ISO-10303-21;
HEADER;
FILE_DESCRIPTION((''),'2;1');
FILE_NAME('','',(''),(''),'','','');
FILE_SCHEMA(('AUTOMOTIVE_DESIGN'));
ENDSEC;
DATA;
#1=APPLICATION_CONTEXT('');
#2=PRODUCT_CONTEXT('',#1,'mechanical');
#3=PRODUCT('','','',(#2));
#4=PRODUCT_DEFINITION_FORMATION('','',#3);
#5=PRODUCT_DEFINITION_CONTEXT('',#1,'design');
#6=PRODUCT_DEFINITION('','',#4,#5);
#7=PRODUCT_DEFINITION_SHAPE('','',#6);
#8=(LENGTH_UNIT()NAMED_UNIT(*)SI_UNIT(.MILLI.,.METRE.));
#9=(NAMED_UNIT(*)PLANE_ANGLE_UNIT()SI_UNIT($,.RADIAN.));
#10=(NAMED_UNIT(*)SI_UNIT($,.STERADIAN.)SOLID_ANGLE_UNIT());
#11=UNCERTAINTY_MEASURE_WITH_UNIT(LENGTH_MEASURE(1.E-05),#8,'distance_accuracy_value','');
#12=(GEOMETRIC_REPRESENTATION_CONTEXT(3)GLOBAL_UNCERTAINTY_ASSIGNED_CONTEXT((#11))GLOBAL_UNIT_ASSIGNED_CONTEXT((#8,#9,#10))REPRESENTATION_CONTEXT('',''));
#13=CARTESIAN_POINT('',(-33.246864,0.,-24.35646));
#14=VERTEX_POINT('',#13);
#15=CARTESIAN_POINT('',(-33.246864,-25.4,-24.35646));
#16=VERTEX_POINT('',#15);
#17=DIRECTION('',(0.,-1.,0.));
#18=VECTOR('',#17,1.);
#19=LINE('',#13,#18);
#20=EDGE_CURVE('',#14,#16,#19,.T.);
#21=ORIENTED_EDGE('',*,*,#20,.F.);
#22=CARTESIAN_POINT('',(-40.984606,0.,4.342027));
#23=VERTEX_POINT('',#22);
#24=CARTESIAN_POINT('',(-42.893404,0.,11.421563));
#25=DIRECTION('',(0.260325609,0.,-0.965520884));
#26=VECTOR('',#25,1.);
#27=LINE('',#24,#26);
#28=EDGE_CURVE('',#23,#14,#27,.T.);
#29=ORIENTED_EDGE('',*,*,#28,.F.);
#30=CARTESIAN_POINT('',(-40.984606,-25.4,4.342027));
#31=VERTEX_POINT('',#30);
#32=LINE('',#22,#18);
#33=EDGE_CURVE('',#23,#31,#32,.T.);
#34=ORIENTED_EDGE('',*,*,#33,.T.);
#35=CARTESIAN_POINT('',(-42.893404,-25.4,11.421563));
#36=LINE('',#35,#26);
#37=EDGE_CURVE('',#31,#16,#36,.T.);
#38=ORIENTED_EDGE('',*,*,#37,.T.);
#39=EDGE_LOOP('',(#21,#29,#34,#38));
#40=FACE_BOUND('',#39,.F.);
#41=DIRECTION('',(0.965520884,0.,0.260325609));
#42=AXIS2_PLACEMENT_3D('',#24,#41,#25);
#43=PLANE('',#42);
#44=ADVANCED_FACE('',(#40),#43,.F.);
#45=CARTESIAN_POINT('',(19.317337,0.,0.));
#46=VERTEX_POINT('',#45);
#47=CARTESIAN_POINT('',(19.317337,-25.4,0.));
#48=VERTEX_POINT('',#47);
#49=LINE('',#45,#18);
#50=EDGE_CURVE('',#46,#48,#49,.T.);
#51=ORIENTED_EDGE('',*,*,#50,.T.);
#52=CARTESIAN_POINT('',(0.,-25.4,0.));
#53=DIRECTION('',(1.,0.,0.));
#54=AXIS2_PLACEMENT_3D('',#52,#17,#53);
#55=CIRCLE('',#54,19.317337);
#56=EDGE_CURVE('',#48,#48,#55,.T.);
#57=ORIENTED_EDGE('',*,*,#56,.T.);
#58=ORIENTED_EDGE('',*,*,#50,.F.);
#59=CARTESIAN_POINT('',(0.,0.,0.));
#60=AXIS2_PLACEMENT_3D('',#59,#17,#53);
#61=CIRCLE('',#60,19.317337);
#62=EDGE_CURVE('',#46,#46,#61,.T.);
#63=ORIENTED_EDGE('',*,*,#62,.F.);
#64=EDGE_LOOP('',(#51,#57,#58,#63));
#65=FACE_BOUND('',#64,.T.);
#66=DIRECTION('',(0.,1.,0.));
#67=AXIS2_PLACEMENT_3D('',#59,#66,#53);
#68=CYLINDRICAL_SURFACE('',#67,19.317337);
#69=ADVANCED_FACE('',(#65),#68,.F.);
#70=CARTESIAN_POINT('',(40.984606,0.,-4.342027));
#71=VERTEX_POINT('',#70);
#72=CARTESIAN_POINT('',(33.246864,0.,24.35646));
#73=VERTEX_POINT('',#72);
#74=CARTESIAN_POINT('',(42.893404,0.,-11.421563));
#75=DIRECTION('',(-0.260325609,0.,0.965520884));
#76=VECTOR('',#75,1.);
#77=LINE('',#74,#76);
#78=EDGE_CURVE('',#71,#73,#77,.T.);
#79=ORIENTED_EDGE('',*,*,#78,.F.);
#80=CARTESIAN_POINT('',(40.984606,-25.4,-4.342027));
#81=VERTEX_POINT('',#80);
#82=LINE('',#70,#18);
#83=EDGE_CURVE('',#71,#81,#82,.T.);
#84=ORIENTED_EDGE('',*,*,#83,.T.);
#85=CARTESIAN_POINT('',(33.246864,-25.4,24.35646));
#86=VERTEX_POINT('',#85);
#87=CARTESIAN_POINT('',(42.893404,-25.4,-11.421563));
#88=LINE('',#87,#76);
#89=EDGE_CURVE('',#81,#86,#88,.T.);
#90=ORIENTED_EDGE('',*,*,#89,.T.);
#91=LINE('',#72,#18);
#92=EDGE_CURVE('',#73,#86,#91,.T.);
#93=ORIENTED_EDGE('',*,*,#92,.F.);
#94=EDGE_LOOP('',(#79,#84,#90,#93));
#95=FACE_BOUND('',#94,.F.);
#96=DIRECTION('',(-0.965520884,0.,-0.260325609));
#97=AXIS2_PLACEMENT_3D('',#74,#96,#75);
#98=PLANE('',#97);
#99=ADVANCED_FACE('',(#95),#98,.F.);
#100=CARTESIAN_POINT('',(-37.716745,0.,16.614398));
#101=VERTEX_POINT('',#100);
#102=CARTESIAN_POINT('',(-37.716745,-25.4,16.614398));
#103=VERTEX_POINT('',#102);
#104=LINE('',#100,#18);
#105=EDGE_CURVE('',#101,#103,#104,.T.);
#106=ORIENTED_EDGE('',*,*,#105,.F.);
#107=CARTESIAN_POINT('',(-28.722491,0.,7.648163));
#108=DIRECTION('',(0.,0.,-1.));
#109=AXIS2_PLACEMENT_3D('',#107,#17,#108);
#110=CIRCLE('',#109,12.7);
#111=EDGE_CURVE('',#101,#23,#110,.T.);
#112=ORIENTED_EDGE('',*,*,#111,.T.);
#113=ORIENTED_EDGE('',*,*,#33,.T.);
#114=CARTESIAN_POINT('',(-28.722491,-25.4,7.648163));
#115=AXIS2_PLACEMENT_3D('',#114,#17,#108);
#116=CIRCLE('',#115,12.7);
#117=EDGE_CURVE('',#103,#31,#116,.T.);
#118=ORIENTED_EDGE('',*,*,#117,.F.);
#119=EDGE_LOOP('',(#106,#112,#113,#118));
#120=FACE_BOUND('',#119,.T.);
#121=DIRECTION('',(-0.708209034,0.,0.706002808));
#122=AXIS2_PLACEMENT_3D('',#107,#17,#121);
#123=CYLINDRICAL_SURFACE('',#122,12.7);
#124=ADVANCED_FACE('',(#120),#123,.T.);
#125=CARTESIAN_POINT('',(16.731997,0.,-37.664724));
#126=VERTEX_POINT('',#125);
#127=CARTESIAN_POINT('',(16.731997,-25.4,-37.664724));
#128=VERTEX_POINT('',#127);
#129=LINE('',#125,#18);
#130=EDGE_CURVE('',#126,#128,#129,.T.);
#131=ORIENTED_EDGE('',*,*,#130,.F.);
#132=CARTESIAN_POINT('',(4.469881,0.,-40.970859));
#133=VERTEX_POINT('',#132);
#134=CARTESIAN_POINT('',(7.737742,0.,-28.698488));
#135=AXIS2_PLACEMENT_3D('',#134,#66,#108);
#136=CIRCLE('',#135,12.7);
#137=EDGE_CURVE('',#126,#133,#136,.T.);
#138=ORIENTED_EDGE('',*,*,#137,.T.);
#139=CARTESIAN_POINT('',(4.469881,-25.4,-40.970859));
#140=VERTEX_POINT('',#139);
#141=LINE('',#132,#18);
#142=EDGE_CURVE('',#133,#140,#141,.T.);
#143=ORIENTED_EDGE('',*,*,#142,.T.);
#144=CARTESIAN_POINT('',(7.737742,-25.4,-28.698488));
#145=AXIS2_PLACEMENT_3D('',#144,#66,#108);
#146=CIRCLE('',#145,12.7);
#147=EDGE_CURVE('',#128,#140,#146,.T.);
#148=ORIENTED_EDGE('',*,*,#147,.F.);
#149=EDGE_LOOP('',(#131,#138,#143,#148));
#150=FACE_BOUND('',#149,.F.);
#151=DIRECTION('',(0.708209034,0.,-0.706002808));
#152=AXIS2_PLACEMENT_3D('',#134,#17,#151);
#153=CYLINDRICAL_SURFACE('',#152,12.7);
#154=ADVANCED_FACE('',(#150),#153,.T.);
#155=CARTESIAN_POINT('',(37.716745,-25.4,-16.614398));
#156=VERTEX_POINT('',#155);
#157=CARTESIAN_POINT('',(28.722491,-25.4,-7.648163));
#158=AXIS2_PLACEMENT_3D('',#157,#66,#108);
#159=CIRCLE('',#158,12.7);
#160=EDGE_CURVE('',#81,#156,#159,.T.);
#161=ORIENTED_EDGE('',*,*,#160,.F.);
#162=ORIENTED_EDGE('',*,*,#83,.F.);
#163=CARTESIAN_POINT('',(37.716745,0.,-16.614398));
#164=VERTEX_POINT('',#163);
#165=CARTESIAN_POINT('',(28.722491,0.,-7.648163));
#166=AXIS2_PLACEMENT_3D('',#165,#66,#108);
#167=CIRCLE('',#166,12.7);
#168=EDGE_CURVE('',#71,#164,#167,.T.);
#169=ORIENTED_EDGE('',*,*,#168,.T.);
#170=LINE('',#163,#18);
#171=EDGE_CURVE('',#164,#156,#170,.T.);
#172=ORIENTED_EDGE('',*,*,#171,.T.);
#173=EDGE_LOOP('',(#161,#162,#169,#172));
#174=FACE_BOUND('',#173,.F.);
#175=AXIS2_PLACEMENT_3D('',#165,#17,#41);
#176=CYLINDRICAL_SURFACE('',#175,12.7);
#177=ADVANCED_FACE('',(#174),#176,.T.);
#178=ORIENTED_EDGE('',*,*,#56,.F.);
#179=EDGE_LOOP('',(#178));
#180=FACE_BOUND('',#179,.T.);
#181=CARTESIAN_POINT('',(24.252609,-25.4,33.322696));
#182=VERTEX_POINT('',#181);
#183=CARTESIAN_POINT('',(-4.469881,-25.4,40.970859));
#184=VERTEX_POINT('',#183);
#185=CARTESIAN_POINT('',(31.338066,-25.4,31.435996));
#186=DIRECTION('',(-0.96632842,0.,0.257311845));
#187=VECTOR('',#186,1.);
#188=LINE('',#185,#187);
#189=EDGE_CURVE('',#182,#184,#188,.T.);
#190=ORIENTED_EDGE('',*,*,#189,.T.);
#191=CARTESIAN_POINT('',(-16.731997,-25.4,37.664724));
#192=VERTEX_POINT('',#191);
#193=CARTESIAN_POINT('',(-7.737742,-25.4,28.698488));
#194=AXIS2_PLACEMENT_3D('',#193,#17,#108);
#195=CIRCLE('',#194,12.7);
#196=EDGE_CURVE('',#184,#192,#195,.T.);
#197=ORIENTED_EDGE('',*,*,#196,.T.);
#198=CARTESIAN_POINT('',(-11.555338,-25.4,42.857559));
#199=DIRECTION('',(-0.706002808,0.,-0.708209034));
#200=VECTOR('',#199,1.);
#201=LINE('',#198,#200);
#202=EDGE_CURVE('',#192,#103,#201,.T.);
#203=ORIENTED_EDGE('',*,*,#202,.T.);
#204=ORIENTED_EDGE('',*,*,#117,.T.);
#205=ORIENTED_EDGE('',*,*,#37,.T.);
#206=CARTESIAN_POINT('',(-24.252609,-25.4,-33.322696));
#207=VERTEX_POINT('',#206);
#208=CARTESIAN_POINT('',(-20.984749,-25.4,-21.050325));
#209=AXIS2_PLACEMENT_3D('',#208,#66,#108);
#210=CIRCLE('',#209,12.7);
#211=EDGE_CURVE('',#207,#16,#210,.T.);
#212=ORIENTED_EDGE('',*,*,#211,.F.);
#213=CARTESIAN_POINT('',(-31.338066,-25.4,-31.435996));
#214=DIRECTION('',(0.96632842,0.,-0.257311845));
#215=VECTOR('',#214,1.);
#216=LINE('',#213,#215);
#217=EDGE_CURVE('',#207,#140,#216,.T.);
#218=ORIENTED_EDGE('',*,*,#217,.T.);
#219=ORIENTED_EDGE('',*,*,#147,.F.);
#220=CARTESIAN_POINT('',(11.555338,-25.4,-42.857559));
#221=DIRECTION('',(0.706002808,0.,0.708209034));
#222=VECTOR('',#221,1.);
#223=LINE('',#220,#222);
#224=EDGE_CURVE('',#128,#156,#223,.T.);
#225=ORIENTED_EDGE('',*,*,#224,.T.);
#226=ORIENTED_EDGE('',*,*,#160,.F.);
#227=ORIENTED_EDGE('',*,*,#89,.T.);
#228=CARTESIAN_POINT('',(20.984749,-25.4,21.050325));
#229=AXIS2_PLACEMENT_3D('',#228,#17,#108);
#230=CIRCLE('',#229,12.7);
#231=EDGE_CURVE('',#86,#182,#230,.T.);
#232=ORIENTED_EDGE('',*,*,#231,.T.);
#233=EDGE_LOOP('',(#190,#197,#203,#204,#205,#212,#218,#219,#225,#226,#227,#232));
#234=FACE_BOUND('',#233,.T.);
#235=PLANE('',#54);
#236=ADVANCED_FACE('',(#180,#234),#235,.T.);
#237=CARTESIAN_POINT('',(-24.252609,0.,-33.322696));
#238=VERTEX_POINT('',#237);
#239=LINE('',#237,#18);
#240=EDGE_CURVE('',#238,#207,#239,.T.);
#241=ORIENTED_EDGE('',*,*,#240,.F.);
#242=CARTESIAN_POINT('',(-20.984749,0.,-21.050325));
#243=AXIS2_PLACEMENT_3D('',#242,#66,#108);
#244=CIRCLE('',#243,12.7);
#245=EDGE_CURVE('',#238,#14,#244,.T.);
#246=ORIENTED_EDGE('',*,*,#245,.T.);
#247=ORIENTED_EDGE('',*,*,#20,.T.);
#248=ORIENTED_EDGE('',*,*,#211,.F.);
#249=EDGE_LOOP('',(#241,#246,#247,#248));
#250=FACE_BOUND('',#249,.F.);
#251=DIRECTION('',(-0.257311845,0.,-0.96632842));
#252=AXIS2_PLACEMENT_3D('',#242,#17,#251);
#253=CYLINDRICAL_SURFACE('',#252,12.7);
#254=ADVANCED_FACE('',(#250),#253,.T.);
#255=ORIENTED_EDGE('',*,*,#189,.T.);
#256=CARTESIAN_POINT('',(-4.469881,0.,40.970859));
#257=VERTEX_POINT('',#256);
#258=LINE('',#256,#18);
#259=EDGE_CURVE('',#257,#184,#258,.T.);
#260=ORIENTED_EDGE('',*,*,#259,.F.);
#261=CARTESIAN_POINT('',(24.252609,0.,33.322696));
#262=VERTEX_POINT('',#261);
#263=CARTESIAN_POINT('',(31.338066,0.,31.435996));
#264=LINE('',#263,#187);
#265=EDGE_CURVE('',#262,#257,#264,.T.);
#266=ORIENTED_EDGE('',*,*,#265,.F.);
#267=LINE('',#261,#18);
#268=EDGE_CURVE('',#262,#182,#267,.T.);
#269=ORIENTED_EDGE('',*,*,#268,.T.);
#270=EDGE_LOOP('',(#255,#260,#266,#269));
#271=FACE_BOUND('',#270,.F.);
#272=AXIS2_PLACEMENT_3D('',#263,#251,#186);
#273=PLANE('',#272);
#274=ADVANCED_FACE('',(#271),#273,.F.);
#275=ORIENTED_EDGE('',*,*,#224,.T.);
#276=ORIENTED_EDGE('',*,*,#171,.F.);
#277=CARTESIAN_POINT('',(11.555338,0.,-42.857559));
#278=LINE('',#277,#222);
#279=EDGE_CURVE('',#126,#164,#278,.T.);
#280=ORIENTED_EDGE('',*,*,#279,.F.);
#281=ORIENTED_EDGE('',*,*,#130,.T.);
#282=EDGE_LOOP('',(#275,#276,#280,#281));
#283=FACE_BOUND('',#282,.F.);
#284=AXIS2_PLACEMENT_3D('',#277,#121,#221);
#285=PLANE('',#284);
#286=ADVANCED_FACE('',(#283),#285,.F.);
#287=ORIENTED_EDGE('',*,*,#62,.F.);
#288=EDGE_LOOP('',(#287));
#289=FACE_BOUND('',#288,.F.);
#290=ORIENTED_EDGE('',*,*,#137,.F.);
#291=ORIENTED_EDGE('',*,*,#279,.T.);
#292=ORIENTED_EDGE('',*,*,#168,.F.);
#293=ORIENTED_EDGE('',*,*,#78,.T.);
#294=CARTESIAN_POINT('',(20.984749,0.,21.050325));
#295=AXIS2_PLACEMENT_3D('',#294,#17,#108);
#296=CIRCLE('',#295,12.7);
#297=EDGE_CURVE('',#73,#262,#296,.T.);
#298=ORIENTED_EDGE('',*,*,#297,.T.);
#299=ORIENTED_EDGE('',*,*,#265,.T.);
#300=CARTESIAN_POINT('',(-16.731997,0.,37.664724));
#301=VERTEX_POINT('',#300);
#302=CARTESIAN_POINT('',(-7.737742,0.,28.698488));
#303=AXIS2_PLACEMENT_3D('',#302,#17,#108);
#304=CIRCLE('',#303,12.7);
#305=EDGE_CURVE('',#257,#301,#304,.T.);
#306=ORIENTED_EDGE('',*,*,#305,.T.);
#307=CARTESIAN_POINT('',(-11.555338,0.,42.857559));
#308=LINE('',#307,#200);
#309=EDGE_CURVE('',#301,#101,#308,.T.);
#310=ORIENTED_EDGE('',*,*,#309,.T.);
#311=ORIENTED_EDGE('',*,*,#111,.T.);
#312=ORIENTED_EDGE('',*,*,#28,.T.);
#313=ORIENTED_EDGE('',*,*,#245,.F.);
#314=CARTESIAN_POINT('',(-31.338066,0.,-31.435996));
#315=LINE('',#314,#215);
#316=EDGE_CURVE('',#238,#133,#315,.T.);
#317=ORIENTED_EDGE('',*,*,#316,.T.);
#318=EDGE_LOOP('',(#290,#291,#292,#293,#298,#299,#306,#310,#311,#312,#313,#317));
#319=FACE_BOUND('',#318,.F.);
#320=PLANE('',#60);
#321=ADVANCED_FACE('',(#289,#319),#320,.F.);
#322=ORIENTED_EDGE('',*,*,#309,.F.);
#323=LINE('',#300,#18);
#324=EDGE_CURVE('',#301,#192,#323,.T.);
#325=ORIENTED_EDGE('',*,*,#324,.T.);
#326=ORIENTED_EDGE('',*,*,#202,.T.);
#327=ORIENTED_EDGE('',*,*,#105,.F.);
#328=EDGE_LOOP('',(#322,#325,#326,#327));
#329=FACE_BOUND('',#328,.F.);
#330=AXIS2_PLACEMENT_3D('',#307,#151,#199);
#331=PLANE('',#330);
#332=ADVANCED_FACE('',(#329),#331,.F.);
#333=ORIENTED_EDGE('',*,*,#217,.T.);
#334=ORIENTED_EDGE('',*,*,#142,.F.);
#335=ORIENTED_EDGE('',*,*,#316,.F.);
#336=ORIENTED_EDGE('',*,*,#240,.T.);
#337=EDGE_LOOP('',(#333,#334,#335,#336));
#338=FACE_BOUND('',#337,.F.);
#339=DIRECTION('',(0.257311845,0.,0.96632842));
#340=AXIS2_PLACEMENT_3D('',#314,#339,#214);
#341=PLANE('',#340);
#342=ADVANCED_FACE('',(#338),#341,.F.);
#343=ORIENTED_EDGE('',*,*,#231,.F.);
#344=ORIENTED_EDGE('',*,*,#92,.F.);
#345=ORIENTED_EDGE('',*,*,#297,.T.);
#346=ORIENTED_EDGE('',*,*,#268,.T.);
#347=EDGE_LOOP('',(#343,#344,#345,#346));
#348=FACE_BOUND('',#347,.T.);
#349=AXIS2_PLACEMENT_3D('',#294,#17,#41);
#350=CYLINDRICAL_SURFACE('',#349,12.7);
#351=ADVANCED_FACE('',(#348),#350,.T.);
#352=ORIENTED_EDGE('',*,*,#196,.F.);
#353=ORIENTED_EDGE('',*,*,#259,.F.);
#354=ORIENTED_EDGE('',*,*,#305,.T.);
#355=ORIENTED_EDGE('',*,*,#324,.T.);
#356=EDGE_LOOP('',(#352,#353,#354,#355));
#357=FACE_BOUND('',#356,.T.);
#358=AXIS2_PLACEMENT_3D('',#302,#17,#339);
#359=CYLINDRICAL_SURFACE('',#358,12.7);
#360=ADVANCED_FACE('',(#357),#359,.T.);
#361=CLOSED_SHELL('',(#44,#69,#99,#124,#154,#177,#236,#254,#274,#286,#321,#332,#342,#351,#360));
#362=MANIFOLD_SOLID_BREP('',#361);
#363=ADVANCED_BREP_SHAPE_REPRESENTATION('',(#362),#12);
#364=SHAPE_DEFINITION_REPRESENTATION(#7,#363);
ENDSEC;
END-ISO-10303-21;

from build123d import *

# Parameters (mm, degrees)
F0_R     = 19.317337
F1_DEPTH = 25.4
F2_R     = 12.7


with BuildPart() as f1:
    # F0 (on Front) → F1 (new body)
    with BuildSketch(Plane.XZ):
        Polygon((42.893404, -11.421563), (31.338066, 31.435996), (-11.555338, 42.857559), (-42.893404, 11.421563), (-31.338066, -31.435996), (11.555338, -42.857559), align=None)
        Circle(F0_R, mode=Mode.SUBTRACT)
    extrude(amount=F1_DEPTH)

    # F2
    f2_edges = [f1.edges().sort_by_distance(p)[0] for p in [
        (-42.893404, -12.7, 11.421563),
        (-31.338066, -12.7, -31.435996),
        (11.555338, -12.7, -42.857559),
        (42.893404, -12.7, -11.421563),
        (31.338066, -12.7, 31.435996),
        (-11.555338, -12.7, 42.857559),
    ]]
    fillet(f2_edges, radius=F2_R)


solid = f1.part
